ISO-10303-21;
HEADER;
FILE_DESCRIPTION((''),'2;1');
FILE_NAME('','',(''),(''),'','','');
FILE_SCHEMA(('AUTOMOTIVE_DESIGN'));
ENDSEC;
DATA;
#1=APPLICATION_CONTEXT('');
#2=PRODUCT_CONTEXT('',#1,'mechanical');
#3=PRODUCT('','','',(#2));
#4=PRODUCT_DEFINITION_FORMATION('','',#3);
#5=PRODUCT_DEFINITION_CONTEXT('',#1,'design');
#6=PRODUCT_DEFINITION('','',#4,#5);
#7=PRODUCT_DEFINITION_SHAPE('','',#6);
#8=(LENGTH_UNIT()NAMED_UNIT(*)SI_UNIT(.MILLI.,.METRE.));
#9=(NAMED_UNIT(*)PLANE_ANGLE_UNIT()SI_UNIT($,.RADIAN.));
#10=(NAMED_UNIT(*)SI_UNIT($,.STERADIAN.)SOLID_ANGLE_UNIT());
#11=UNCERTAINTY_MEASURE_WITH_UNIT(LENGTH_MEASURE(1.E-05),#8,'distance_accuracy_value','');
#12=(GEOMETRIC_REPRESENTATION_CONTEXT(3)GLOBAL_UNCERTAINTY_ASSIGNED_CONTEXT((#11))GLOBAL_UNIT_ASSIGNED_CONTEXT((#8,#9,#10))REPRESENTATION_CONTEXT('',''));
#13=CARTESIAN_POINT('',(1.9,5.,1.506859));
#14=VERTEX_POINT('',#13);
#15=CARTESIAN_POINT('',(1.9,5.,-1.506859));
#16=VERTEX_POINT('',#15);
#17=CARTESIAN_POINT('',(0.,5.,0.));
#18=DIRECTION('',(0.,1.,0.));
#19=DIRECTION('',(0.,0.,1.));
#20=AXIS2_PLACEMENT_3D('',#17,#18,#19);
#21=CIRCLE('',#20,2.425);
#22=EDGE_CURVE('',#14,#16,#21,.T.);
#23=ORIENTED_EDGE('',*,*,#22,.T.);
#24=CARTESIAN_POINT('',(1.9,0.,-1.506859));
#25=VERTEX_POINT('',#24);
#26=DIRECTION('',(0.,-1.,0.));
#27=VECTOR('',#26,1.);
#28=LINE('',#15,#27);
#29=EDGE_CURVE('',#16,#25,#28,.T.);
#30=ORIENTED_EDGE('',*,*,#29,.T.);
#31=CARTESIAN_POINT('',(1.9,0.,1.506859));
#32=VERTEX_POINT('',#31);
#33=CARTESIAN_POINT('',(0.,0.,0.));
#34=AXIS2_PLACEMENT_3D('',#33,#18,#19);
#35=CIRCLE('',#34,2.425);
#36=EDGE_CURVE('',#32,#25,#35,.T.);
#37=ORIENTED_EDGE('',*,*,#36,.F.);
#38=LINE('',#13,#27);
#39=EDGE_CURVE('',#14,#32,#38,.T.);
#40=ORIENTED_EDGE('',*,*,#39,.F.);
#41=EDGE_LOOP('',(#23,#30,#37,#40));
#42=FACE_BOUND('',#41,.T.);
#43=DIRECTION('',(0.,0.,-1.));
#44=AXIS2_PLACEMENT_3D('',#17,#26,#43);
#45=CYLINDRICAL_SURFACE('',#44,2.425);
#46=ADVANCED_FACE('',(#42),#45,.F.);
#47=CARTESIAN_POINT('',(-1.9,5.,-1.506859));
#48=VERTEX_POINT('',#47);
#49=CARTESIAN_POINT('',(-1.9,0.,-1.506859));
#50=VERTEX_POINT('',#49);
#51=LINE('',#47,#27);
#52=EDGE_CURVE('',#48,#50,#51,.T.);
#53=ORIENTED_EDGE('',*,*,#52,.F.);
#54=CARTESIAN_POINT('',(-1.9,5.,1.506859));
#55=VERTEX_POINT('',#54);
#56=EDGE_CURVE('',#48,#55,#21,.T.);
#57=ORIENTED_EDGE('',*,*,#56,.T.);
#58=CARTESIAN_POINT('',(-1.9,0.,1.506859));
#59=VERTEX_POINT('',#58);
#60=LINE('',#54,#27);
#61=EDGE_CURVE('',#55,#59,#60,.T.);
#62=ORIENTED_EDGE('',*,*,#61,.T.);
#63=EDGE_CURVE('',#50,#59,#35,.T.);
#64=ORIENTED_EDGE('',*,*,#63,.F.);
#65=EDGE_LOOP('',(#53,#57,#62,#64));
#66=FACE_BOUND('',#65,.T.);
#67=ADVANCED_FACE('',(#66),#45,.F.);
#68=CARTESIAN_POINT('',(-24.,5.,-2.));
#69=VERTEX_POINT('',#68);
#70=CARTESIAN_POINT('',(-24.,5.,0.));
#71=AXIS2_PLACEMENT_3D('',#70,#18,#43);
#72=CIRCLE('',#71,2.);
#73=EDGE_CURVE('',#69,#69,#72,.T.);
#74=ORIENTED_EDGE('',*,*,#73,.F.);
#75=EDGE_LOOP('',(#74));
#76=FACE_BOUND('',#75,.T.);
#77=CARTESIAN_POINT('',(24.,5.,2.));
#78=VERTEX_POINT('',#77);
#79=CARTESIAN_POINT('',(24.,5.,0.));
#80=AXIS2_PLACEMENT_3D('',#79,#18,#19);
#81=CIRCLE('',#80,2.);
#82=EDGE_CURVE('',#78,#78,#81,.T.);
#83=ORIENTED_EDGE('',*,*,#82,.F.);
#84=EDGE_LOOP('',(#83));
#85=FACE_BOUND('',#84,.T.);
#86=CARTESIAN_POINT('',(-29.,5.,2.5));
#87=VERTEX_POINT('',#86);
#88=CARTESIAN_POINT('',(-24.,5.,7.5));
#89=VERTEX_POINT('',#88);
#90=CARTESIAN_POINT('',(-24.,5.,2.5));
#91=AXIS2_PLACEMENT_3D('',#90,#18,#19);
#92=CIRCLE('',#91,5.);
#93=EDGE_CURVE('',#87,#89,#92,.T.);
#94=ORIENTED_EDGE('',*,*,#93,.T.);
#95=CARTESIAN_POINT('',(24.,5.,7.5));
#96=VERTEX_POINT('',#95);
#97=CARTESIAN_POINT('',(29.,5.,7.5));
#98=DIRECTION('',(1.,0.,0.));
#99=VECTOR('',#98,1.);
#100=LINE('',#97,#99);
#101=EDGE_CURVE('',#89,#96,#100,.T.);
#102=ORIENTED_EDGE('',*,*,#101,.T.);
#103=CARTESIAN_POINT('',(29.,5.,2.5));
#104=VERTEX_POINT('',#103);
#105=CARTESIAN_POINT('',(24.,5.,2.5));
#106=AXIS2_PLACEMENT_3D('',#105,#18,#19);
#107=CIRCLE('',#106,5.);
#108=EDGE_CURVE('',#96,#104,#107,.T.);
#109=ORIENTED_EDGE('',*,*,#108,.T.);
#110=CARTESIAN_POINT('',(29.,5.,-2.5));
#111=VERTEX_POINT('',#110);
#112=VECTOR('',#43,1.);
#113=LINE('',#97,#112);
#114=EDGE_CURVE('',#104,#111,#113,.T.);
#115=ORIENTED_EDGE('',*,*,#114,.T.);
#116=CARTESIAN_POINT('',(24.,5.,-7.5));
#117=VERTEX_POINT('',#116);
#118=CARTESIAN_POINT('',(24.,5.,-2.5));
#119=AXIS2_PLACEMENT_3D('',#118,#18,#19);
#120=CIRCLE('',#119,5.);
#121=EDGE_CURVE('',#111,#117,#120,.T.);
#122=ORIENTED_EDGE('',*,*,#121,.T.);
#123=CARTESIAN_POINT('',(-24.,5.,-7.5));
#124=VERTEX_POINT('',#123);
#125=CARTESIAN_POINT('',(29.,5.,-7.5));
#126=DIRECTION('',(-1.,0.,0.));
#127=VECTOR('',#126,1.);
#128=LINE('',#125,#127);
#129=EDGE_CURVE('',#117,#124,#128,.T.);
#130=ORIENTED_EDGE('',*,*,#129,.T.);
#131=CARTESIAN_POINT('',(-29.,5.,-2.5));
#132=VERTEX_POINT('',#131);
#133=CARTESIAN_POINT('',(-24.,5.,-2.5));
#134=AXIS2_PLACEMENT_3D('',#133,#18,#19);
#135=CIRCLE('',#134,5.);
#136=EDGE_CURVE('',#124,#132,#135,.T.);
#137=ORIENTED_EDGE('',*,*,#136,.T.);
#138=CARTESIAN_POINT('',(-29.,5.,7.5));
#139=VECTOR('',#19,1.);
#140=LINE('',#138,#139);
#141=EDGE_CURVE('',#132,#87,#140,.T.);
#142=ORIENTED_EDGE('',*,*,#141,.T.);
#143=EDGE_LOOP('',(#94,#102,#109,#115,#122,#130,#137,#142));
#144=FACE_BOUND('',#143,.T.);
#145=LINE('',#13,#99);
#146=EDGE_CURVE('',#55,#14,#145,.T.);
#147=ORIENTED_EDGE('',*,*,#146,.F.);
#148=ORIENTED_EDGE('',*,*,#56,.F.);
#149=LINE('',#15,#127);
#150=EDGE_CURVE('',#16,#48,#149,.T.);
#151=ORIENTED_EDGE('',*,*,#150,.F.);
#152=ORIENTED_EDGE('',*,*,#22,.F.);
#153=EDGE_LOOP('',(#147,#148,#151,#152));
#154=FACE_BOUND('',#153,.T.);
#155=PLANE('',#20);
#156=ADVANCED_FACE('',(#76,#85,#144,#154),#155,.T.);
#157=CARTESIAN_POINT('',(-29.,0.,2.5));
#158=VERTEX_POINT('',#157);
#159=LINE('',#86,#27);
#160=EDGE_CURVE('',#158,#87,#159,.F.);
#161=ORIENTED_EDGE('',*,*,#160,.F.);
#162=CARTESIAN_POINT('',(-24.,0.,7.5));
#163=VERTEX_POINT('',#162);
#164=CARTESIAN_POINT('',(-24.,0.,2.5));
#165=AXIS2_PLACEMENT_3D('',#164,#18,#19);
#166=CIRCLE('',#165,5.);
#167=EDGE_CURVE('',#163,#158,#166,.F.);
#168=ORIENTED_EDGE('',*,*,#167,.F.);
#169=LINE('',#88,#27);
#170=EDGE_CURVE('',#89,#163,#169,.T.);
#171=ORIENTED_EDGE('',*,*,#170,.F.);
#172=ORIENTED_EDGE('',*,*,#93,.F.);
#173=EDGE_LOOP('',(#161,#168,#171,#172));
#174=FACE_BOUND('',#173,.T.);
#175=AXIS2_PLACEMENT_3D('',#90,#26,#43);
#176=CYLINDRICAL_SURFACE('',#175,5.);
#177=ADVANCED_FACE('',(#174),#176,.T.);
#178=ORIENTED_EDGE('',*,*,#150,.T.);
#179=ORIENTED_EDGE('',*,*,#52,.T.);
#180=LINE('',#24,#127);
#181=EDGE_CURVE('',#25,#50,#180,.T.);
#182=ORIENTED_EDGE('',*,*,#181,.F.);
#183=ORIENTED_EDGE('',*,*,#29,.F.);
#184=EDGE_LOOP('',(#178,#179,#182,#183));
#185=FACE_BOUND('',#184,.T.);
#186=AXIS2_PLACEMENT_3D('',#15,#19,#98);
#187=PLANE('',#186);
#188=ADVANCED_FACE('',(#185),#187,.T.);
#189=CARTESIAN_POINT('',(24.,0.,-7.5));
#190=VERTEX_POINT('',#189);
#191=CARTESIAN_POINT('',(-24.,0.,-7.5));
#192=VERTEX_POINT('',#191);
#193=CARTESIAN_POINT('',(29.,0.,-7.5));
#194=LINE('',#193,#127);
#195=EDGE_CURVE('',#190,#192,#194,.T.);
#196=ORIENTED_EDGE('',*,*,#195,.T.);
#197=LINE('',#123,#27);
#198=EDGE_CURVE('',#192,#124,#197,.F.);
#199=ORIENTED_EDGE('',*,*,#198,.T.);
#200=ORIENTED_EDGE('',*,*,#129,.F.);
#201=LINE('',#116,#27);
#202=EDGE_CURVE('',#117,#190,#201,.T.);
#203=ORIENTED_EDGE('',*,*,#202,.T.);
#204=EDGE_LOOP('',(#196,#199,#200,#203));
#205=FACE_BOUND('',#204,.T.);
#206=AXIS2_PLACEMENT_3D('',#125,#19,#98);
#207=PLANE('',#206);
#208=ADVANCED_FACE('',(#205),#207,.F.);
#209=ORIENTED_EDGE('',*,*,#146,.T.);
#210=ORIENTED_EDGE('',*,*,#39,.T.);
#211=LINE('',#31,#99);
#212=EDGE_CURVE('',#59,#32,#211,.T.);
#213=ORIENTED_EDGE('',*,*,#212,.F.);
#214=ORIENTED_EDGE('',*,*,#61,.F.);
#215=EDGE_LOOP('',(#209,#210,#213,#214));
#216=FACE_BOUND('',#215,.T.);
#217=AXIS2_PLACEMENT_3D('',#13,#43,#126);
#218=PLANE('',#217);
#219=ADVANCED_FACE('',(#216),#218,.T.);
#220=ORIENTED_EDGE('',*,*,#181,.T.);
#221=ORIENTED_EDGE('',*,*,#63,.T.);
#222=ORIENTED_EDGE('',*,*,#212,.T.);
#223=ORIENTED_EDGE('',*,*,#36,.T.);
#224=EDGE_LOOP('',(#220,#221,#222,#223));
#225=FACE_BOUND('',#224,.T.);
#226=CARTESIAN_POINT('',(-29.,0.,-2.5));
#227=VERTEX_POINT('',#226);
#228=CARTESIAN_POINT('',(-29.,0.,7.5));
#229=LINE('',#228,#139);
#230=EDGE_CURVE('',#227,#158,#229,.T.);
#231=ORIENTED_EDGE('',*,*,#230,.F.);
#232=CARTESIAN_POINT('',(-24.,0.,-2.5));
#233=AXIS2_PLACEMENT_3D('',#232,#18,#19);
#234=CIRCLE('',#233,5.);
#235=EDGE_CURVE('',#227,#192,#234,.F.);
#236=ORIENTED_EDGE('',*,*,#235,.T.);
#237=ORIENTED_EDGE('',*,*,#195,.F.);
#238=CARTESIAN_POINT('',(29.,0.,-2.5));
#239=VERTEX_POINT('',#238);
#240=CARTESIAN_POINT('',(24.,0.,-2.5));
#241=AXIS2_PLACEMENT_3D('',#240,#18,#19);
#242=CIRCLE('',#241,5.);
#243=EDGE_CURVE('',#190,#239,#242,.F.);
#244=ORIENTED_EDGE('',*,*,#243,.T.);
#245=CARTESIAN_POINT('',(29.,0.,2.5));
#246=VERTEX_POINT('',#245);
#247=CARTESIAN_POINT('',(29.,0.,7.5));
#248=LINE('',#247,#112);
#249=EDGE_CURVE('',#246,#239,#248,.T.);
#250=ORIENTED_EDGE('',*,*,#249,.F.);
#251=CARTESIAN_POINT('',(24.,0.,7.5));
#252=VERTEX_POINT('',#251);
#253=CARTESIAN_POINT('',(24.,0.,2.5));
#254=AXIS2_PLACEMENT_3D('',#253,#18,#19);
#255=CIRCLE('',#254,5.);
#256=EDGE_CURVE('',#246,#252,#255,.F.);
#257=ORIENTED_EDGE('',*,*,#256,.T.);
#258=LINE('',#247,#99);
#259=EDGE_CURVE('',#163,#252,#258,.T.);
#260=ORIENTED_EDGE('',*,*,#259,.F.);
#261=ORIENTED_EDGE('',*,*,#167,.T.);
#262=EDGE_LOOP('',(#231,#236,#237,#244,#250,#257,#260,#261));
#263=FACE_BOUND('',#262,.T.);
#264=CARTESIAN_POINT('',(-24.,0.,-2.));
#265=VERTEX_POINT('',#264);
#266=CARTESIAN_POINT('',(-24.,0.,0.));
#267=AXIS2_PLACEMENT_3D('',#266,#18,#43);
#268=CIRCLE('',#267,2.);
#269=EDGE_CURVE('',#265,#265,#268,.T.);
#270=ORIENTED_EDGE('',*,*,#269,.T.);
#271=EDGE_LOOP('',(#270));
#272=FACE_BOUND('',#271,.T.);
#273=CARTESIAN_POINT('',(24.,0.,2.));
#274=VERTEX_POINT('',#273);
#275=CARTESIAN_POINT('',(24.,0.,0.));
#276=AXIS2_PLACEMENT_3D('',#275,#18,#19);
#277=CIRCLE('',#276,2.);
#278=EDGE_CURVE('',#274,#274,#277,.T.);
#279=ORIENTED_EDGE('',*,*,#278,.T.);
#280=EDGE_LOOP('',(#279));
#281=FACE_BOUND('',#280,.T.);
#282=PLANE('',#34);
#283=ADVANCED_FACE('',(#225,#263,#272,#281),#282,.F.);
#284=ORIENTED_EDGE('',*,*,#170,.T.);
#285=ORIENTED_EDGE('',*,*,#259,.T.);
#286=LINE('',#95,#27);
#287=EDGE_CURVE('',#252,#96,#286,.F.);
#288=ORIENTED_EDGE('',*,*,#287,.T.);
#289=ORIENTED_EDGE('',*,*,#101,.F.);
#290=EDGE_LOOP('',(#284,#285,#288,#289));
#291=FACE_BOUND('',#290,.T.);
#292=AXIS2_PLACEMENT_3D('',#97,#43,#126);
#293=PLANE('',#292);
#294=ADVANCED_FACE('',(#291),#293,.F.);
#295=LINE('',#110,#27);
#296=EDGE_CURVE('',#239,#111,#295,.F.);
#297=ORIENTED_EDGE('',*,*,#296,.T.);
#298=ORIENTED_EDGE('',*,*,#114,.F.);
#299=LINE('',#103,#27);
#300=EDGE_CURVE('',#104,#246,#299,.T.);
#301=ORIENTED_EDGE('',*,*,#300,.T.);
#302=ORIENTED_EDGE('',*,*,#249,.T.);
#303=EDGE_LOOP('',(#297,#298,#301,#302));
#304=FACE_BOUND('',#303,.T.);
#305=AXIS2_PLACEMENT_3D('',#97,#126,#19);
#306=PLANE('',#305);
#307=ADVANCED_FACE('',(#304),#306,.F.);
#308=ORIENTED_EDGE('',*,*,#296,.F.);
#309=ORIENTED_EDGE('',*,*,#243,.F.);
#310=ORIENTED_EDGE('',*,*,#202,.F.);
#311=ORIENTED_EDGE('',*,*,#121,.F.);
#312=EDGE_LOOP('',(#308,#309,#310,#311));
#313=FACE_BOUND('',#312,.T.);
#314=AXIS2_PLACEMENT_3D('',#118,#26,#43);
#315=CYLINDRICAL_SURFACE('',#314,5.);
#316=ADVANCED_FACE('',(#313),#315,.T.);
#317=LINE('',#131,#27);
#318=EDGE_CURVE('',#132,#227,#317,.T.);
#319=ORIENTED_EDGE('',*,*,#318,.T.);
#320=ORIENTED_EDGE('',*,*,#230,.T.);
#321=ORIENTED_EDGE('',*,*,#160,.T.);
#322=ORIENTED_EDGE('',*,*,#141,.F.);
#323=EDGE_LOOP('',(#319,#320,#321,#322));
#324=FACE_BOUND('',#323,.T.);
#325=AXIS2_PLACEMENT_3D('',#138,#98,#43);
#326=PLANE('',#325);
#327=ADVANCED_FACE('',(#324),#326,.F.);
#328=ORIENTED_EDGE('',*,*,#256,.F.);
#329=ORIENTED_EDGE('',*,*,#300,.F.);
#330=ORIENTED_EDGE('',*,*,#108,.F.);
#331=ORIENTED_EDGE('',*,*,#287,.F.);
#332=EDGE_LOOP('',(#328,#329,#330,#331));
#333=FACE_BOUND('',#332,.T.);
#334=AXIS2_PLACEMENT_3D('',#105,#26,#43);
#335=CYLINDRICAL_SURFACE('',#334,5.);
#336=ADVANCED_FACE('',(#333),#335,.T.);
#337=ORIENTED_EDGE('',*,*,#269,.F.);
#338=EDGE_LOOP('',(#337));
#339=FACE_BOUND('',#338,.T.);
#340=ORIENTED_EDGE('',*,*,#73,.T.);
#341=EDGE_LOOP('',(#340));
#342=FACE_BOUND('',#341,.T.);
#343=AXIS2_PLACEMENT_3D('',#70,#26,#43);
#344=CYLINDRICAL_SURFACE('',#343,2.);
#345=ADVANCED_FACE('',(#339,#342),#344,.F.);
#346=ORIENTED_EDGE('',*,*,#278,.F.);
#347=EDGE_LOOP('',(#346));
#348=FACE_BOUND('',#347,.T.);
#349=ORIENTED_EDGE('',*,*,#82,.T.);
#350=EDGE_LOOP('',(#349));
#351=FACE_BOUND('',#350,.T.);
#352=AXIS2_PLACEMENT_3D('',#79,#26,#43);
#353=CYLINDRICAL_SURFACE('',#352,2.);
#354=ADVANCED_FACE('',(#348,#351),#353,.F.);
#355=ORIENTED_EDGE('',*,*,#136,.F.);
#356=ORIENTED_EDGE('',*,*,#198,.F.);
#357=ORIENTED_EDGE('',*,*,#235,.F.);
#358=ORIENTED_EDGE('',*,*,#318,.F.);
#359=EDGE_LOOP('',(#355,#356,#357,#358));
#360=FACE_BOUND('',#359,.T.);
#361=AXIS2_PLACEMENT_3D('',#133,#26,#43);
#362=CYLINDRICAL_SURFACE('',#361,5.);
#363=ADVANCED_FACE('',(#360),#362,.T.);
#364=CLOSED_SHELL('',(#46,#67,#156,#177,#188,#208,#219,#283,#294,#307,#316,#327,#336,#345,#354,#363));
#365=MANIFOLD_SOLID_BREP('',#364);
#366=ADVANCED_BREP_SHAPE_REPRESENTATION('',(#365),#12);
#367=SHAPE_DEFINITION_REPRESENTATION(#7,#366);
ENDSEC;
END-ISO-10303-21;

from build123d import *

# Parameters (mm, degrees)
SKETCH1_W           = 58
SKETCH1_H           = 15
SKETCH1_R           = 2
BOSS_EXTRUDE1_DEPTH = 5
FILLET1_R           = 5


with BuildPart() as part:
    # Sketch1 → Boss-Extrude1 (new body)
    with BuildSketch(Plane(origin=(0, 0, 0), x_dir=(1, 0, 0), z_dir=(0, 1, 0))):
        Rectangle(SKETCH1_W, SKETCH1_H)
        with Locations(Location((24, 0, 0), (0, 0, 270))):
            Circle(SKETCH1_R, mode=Mode.SUBTRACT)
        with Locations(Location((-24, 0, 0), (0, 0, 90))):
            Circle(SKETCH1_R, mode=Mode.SUBTRACT)
        with BuildLine():
            Line((1.9, -1.506859317), (-1.9, -1.506859317))
            ThreePointArc((-1.9, -1.506859317), (-2.425, 0), (-1.9, 1.506859317))
            Line((-1.9, 1.506859317), (1.9, 1.506859317))
            ThreePointArc((1.9, 1.506859317), (2.425, 0), (1.9, -1.506859317))
        make_face(mode=Mode.SUBTRACT)
    extrude(amount=BOSS_EXTRUDE1_DEPTH)

    # Fillet1
    fillet1_edges = [part.edges().sort_by_distance(p)[0] for p in [
        (29, 2.5, 7.5),
        (-29, 2.5, 7.5),
        (-29, 2.5, -7.5),
        (29, 2.5, -7.5),
    ]]
    fillet(fillet1_edges, radius=FILLET1_R)


solid = part.part
